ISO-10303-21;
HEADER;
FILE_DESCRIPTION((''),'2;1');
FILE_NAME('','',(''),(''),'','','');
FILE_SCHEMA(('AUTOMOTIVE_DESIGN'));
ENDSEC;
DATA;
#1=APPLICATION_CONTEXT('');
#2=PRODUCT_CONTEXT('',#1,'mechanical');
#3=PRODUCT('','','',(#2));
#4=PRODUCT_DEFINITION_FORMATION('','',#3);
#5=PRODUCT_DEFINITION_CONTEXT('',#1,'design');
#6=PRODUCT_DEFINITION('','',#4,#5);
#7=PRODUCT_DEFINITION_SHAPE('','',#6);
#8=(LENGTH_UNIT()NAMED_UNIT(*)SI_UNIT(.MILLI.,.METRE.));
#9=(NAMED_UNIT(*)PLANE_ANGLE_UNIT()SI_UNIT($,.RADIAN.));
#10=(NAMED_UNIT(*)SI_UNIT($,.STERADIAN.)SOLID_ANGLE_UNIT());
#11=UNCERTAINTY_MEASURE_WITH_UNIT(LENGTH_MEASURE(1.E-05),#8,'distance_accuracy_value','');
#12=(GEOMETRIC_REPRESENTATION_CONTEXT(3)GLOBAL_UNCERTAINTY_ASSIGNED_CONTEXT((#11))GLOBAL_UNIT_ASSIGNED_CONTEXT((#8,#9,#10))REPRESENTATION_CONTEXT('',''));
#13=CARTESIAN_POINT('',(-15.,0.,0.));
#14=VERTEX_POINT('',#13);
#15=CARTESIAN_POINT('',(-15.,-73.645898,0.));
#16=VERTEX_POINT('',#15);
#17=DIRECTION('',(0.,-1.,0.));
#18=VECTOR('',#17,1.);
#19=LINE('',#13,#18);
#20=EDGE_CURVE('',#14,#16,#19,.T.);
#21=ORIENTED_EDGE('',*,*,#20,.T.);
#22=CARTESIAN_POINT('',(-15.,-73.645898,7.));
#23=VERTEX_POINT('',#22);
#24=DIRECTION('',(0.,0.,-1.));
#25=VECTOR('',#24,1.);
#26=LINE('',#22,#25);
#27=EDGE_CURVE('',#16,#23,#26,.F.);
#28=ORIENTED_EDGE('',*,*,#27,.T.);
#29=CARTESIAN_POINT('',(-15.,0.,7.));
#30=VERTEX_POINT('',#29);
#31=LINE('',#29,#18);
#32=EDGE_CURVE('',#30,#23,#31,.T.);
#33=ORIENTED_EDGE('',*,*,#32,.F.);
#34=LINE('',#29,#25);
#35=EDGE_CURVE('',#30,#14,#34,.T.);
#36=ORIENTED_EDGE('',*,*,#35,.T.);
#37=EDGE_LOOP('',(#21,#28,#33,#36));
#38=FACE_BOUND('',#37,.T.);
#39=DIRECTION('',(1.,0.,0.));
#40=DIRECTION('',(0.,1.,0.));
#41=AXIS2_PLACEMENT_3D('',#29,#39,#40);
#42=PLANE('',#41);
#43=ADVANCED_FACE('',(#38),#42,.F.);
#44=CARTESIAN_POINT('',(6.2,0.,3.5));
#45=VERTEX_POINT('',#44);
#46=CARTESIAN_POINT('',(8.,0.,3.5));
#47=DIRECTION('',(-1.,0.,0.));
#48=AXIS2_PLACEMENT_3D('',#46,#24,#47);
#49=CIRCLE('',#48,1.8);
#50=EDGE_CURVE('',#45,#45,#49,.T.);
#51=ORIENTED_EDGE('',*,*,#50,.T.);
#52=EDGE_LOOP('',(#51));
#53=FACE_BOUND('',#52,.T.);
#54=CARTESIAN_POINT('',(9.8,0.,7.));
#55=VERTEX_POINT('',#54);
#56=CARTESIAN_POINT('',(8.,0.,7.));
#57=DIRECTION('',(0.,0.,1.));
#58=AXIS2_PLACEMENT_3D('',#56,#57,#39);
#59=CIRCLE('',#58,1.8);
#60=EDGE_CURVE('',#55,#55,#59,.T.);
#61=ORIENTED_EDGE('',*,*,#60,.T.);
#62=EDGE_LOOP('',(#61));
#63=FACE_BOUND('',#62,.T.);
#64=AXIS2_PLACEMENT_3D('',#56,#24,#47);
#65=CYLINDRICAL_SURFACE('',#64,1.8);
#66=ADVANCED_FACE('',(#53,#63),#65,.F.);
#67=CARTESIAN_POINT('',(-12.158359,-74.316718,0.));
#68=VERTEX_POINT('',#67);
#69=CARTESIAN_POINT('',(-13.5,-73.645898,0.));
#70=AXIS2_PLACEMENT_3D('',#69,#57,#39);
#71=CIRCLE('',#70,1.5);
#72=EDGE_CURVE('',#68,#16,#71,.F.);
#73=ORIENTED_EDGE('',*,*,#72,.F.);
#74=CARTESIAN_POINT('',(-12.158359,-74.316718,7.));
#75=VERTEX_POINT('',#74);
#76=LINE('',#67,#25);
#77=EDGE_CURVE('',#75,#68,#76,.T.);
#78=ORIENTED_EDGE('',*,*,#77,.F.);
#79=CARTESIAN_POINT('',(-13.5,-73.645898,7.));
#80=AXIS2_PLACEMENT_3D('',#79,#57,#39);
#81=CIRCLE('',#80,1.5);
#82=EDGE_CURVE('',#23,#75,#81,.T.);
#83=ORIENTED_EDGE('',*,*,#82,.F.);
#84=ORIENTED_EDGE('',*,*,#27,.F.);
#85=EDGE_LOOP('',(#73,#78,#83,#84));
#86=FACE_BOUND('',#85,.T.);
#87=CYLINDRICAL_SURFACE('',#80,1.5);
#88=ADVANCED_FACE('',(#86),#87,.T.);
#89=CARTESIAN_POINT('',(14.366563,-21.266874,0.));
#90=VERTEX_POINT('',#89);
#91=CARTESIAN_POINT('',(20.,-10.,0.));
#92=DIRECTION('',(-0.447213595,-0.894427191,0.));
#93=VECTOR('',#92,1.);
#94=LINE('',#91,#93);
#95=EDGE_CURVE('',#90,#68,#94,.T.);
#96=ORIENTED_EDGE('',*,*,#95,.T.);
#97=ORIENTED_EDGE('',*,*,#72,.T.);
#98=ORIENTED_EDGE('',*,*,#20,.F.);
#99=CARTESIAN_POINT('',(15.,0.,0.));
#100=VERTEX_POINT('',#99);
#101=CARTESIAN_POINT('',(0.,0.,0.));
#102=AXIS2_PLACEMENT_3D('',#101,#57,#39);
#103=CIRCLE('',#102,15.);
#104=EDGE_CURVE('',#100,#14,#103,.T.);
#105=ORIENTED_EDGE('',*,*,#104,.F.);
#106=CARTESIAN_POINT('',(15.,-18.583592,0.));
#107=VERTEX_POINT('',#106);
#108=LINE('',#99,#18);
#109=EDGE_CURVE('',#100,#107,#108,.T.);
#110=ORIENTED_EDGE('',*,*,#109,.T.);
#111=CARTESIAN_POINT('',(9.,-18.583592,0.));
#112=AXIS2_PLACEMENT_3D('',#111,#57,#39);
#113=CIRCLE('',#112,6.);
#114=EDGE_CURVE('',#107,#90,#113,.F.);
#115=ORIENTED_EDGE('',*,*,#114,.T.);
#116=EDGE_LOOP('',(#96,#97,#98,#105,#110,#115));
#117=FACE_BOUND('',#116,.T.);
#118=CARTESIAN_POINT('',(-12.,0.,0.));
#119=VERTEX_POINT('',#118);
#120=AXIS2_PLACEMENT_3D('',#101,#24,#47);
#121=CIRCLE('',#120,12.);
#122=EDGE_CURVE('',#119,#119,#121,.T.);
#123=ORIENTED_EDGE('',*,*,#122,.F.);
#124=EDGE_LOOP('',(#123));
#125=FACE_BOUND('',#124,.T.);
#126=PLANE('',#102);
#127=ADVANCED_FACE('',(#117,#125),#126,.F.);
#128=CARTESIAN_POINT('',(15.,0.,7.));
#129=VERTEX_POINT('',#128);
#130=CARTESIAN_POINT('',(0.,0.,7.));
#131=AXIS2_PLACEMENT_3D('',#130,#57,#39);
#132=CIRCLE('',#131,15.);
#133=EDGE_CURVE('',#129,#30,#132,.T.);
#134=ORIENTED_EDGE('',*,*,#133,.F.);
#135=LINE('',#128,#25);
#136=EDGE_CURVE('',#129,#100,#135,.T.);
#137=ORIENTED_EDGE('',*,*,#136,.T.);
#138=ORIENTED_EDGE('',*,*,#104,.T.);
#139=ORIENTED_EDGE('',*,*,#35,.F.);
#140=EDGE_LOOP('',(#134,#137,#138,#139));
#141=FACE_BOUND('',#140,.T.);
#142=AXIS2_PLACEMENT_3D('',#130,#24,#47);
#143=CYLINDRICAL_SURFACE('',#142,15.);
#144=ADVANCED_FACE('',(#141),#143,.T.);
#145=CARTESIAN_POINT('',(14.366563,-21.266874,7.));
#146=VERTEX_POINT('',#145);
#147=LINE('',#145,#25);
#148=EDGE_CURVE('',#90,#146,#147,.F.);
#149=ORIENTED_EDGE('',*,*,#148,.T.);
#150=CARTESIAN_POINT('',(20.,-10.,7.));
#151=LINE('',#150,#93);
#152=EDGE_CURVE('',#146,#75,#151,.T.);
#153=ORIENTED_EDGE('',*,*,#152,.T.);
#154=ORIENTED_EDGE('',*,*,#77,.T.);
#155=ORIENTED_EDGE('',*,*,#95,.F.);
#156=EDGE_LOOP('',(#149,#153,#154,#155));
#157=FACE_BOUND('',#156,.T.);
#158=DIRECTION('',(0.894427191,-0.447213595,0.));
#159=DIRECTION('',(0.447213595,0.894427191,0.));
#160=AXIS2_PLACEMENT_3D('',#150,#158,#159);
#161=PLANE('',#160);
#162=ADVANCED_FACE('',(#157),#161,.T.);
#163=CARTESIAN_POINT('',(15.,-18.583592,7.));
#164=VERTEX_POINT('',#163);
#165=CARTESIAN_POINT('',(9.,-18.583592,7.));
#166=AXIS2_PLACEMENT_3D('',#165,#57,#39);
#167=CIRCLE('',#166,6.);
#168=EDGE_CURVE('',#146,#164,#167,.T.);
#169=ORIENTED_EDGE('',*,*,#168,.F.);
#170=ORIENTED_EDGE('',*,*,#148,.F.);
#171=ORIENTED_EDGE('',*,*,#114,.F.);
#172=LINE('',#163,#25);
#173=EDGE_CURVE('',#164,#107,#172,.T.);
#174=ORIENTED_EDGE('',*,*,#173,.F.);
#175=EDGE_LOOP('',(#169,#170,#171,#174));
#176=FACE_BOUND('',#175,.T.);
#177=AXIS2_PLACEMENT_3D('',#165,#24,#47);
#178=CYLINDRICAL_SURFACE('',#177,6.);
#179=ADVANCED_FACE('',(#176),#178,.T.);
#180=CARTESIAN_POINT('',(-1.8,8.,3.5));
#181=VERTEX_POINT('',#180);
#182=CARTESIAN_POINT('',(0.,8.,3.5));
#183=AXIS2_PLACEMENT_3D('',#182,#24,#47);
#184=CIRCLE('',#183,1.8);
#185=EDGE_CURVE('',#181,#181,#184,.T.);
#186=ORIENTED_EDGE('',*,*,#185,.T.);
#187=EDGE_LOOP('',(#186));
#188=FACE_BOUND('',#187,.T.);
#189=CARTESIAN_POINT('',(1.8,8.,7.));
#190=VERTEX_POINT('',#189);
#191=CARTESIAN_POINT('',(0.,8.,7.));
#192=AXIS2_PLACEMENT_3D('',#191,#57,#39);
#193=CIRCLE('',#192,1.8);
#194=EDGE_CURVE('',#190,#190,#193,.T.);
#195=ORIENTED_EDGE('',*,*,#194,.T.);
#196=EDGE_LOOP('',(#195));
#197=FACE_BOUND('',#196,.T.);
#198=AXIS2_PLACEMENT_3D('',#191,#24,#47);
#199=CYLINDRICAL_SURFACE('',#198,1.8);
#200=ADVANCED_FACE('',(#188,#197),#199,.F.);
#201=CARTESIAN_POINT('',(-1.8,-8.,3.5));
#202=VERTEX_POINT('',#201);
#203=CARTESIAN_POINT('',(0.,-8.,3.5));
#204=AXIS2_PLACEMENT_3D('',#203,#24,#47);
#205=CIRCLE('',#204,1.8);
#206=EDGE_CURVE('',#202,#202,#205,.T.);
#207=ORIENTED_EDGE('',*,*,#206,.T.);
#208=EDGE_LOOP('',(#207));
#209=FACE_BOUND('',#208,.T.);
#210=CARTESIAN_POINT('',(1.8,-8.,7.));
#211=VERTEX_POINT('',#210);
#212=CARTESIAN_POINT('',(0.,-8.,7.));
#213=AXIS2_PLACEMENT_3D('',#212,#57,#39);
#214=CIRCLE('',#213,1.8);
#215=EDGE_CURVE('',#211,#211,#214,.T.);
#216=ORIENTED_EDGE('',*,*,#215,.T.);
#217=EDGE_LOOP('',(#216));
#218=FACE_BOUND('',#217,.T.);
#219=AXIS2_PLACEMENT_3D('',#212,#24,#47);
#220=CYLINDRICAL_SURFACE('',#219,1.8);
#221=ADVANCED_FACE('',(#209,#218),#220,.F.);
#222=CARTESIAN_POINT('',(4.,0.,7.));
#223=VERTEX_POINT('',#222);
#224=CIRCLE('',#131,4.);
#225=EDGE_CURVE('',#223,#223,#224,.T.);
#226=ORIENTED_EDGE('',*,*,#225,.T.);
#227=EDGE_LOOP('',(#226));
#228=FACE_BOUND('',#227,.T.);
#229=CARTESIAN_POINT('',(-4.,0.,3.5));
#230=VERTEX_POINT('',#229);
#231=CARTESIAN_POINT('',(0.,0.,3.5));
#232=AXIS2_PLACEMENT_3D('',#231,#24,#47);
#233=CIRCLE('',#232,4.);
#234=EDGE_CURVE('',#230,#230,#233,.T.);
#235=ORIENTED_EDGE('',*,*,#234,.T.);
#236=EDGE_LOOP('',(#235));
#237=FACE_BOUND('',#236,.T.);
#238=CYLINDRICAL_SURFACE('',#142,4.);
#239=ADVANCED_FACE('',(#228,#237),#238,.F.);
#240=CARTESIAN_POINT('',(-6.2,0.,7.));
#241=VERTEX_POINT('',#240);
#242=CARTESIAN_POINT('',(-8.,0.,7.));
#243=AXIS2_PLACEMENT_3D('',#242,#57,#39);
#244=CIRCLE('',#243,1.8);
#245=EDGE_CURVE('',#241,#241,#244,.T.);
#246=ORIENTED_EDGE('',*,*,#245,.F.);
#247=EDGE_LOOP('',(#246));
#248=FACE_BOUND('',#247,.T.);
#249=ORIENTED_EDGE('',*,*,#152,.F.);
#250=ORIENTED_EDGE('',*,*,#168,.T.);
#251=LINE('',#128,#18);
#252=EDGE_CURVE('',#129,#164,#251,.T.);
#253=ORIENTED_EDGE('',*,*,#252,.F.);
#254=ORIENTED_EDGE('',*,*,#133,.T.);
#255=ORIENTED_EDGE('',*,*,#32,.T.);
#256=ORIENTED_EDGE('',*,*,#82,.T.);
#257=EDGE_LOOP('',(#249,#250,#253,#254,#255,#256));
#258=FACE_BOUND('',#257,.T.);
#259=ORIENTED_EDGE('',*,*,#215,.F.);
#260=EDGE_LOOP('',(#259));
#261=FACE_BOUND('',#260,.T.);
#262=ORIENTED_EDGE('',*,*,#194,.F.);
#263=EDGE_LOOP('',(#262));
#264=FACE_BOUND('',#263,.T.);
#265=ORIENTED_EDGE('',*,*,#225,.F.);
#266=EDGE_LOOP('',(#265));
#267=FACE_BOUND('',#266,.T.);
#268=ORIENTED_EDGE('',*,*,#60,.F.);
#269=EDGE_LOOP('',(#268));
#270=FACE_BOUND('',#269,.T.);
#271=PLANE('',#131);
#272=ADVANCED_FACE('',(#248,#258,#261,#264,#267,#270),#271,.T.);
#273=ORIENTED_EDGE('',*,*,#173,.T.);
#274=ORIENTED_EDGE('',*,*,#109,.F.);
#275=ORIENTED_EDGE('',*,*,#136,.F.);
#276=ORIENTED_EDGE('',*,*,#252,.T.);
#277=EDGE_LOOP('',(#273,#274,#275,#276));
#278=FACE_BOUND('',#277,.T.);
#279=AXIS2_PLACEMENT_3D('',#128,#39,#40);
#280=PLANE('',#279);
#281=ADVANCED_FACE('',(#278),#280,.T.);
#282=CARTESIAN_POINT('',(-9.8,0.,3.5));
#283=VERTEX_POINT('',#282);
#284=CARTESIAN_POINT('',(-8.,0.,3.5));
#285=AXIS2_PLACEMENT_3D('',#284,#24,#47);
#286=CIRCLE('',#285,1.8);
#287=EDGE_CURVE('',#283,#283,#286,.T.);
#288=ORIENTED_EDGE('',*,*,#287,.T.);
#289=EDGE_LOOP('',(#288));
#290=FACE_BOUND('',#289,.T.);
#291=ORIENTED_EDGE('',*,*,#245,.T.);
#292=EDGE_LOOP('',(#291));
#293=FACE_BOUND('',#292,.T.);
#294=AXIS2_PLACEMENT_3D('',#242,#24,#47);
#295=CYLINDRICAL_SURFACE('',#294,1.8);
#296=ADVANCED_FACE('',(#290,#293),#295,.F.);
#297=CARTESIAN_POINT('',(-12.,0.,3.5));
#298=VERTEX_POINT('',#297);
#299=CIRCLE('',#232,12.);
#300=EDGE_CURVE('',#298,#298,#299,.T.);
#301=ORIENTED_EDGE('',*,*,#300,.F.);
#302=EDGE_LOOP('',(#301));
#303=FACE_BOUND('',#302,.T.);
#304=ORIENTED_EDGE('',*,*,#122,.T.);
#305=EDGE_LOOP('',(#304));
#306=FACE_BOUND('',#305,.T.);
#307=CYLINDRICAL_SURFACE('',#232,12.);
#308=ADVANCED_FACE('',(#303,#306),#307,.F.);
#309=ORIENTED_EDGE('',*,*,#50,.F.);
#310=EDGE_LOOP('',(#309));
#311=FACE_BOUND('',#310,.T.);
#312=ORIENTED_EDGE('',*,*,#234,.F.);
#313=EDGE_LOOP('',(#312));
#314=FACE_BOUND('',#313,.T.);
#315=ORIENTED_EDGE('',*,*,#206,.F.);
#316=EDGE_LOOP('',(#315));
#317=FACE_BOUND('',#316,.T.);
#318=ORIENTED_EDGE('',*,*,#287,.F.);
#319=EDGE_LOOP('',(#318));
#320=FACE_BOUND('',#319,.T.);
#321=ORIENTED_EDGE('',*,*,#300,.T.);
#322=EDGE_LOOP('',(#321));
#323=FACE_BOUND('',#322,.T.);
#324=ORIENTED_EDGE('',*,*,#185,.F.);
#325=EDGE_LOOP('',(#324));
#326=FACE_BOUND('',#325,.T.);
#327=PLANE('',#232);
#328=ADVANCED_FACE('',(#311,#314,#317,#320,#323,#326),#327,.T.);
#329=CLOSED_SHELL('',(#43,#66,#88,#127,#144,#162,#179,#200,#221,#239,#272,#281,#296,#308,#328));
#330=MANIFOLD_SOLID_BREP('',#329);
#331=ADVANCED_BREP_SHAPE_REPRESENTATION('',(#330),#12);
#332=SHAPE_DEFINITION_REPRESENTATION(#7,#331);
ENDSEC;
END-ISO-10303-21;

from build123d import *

# Parameters (mm, degrees)
ESQUISSE1_R             = 15
ESQUISSE1_R_2           = 1.8
ESQUISSE1_R_3           = 4
BOSS_EXTRU_1_DEPTH      = 7
CONG_1_R                = 1.5
CONG_2_R                = 6
ESQUISSE3_R             = 12
ENL_V_MAT_EXTRU_2_DEPTH = 3.5


with BuildPart() as part:
    # Esquisse1 → Boss.-Extru.1 (new body)
    # profile 1 of 2: a face of its own
    with BuildSketch(Plane.XY):
        with BuildLine():
            ThreePointArc((15, 0), (0, -15), (-15, 0))
            Line((-15, 0), (-15, -80))
            Line((-15, -80), (15, -20))
            Line((15, -20), (15, 0))
        make_face()
    # profile 2 of 2: a face of its own
    with BuildSketch(Plane.XY):
        Circle(ESQUISSE1_R)
        with Locations((-8, 0)):
            Circle(ESQUISSE1_R_2, mode=Mode.SUBTRACT)
        with Locations((0, -8)):
            Circle(ESQUISSE1_R_2, mode=Mode.SUBTRACT)
        with Locations((8, 0)):
            Circle(ESQUISSE1_R_2, mode=Mode.SUBTRACT)
        with Locations((0, 8)):
            Circle(ESQUISSE1_R_2, mode=Mode.SUBTRACT)
        Circle(ESQUISSE1_R_3, mode=Mode.SUBTRACT)
    extrude(amount=BOSS_EXTRU_1_DEPTH)

    # Congé1
    cong_1_edges = [part.edges().sort_by_distance(p)[0] for p in [
        (-15, -80, 3.5),
    ]]
    fillet(cong_1_edges, radius=CONG_1_R)

    # Congé2
    cong_2_edges = [part.edges().sort_by_distance(p)[0] for p in [
        (15, -20, 3.5),
    ]]
    fillet(cong_2_edges, radius=CONG_2_R)

    # Esquisse3 → Enlèv. mat.-Extru.2 (cut)
    with BuildSketch(Plane(origin=(0, 0, 0), x_dir=(-1, 0, 0), z_dir=(0, 0, -1))):
        Circle(ESQUISSE3_R)
    extrude(amount=-ENL_V_MAT_EXTRU_2_DEPTH, mode=Mode.SUBTRACT)


solid = part.part
